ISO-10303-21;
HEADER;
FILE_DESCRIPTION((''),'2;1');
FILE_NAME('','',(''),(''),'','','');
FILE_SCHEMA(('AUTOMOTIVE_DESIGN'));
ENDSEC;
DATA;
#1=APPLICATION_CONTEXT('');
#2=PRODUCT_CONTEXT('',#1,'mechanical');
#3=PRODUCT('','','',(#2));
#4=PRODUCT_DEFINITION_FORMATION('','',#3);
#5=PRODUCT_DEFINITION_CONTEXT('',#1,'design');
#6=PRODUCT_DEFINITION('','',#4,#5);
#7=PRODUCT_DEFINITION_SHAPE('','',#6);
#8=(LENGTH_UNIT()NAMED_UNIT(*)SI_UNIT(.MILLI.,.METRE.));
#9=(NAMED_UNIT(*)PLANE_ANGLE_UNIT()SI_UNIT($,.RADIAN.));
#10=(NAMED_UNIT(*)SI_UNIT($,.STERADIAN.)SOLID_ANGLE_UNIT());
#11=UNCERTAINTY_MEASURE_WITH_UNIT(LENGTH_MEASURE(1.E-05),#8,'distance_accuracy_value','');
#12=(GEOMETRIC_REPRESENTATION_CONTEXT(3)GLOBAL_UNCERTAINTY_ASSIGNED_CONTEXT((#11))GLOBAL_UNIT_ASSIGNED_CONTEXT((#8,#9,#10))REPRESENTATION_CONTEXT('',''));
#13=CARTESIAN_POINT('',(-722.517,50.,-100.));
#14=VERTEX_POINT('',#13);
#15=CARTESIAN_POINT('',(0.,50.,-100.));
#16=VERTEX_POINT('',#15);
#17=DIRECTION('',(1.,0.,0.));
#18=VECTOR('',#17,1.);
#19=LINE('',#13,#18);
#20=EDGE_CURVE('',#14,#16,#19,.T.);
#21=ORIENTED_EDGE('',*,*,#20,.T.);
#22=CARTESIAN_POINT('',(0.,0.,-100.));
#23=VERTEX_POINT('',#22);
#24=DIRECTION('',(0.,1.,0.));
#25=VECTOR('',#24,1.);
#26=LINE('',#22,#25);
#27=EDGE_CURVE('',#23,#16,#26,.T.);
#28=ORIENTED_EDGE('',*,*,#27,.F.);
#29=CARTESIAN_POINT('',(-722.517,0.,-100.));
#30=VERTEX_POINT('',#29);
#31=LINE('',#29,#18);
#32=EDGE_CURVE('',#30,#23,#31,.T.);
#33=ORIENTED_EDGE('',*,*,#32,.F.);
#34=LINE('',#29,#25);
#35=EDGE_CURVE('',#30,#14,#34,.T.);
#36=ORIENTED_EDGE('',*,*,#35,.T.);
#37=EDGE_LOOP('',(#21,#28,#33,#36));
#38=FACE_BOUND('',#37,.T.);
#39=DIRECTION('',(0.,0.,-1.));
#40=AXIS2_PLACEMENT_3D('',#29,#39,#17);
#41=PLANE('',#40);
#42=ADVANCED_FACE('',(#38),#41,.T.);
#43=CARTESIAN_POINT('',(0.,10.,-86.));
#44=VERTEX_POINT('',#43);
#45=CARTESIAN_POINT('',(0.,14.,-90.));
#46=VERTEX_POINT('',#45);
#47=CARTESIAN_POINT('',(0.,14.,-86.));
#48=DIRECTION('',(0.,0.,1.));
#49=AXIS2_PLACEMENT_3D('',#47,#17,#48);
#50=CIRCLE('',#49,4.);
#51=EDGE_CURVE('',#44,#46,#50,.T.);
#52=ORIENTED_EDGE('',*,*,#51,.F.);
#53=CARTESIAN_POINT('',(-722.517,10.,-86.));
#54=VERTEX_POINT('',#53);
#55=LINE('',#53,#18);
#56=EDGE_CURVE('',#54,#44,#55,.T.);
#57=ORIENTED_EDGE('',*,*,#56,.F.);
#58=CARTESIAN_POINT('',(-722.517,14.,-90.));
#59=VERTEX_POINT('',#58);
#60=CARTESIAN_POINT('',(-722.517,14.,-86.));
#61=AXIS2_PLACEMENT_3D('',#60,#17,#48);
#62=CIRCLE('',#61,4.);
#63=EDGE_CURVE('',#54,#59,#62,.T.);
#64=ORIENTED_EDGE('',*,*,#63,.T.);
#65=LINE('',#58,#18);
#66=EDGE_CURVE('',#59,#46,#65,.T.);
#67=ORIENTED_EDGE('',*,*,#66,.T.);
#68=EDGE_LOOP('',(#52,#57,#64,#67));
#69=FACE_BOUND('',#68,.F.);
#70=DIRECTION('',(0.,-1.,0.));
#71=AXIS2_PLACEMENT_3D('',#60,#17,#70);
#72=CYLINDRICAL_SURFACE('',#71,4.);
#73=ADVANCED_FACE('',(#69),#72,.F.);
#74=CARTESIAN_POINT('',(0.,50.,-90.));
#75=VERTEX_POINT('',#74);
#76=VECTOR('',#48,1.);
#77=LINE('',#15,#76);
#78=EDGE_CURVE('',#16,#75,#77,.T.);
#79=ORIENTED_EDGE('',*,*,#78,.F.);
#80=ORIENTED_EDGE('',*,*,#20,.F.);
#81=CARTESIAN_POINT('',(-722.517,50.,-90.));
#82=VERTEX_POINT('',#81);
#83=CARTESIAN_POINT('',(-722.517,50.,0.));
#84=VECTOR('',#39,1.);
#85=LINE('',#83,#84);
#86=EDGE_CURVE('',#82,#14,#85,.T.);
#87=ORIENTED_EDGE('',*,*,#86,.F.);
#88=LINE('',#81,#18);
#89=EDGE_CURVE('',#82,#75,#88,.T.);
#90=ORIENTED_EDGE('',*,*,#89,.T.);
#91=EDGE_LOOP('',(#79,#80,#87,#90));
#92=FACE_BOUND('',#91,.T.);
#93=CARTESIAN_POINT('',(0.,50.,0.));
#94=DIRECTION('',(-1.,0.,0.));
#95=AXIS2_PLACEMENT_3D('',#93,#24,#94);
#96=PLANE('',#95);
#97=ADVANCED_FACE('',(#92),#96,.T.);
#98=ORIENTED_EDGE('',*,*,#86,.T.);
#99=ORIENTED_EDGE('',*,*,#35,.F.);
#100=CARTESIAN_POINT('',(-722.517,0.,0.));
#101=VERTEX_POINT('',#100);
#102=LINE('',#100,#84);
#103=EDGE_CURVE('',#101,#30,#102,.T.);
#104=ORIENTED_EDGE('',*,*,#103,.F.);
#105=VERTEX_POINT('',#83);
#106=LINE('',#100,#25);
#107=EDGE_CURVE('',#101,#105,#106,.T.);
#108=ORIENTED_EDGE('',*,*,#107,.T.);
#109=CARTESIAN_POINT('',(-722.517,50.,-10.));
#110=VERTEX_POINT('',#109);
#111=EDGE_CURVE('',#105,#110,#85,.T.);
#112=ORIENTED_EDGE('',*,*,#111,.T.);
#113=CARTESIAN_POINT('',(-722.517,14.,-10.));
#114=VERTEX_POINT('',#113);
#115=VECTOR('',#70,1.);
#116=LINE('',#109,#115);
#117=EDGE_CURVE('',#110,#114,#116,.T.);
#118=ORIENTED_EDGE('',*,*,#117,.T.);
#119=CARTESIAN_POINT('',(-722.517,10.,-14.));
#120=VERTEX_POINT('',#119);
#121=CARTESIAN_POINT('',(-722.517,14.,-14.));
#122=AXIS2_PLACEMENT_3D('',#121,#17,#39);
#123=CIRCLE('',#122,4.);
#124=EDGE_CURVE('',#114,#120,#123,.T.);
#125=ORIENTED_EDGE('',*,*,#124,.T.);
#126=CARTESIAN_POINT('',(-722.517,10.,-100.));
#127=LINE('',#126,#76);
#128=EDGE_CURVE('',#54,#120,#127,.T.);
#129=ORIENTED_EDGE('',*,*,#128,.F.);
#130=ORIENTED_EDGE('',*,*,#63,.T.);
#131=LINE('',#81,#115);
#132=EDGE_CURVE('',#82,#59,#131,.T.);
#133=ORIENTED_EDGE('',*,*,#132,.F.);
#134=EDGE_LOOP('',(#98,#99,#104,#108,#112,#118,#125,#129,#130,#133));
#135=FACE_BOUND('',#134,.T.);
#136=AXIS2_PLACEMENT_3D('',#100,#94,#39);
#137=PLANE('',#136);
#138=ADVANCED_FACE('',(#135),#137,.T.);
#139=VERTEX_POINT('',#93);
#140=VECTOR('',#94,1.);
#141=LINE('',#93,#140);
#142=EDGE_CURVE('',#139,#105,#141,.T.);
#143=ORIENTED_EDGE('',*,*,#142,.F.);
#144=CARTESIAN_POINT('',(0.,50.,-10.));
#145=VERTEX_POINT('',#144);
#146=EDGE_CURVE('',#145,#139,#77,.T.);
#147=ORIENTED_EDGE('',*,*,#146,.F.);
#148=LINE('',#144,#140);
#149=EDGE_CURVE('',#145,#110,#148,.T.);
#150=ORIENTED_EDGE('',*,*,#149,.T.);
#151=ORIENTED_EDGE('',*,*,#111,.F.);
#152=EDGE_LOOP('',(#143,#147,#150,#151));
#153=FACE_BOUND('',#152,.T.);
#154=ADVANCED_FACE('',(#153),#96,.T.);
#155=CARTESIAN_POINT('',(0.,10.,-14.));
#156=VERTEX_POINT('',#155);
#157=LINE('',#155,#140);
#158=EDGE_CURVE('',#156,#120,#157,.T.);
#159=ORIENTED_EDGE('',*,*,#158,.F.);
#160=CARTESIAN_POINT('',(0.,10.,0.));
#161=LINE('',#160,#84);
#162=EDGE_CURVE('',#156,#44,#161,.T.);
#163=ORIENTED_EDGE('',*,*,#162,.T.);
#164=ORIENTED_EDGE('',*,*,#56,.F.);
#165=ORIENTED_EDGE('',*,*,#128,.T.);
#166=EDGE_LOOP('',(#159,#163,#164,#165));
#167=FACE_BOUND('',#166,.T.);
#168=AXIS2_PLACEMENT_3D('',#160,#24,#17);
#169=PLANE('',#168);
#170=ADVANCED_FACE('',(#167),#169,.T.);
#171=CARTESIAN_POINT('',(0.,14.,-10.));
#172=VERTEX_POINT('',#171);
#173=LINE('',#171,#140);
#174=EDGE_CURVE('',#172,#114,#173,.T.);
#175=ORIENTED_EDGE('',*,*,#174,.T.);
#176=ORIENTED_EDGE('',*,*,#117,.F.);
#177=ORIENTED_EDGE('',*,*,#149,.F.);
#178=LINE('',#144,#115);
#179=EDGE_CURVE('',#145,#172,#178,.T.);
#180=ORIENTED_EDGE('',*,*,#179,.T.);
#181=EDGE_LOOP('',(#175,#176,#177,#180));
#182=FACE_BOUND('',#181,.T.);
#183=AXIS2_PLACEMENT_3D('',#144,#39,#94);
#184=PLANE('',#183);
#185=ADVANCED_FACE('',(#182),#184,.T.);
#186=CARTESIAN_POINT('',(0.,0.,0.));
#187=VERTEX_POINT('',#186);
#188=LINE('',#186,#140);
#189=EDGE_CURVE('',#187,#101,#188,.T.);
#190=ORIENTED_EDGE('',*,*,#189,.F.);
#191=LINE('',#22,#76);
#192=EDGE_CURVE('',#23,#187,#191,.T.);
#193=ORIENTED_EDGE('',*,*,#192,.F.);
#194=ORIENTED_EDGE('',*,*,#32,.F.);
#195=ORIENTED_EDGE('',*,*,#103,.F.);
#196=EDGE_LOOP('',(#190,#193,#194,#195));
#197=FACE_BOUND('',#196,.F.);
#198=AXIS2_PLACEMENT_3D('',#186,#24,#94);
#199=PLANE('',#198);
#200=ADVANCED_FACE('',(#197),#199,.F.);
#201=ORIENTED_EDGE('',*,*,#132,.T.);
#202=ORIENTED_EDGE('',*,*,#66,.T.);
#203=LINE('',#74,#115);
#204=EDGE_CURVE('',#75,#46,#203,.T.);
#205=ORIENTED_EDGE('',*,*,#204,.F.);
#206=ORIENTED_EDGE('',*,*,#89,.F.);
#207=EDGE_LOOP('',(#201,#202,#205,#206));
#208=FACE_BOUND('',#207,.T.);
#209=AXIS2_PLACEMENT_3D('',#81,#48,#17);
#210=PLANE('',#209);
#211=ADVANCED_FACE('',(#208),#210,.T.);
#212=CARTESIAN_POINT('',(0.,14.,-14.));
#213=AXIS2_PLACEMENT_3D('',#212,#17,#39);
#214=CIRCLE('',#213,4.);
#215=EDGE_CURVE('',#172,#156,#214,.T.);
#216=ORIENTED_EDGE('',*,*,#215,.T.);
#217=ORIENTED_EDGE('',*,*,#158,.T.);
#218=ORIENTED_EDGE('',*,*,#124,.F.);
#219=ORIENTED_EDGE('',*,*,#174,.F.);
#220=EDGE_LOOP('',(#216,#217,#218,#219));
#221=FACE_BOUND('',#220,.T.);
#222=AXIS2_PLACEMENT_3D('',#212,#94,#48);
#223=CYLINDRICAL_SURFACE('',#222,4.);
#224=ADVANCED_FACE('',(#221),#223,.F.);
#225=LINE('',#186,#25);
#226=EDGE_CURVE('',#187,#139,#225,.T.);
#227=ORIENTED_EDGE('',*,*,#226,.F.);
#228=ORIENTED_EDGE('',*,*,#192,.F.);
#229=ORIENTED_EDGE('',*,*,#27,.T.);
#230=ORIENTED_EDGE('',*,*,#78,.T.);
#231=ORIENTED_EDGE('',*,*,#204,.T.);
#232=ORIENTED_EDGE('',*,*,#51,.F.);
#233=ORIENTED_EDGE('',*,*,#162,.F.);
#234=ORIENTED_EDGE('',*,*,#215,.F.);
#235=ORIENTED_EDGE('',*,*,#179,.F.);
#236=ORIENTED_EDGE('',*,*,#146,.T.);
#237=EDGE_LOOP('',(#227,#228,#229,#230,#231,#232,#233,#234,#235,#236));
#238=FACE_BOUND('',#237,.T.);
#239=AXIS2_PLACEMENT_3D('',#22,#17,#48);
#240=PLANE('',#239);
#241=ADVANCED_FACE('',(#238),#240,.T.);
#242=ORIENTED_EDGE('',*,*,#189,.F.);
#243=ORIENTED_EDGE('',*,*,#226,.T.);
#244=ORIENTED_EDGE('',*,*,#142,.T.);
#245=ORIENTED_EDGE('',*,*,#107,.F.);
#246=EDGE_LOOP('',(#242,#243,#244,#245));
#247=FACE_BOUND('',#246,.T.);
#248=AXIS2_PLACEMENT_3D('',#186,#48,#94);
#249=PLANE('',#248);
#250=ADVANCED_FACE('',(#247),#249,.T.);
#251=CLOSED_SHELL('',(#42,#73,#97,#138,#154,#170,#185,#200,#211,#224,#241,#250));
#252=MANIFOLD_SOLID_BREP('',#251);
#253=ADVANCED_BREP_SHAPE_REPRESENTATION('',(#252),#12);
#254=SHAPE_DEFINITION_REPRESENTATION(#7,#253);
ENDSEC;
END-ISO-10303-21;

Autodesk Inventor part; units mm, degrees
ref_plane "YZ Plane" through (0, 0, 0) normal (1, 0, 0) x (0, 1, 0)
ref_plane "XZ Plane" through (0, 0, 0) normal (0, 1, 0) x (-1, 0, 0)
ref_plane "XY Plane" through (0, 0, 0) normal (0, 0, 1) x (1, 0, 0)
sketch "Sketch1" plane through (0, 0, 0) normal (0, 1, 0) x (-1, 0, 0)
  line L0 (0, 0) -> (722.517, 0)
  line L1 (722.517, 0) -> (722.517, -100)
  line L2 (722.517, -100) -> (0, -100)
  line L3 (0, -100) -> (0, 0)
  dimension "d0" = 722.517
  dimension "d1" = 100
extrude "Extrusion1" add sketch "Sketch1" along normal blind 50
sketch "Sketch2" plane through (0, 50, 0) normal (0, 1, 0) x (1, 0, 0)
  line L0 (0, 0) -> (0, 100) projected
  line L1 (-722.517, 100) -> (-722.517, 0) projected
  line L2 (0, 10) -> (-722.517, 10)
  line L3 (-722.517, 10) -> (-722.517, 90)
  line L4 (-722.517, 90) -> (0, 90)
  line L5 (0, 90) -> (0, 10)
  dimension "d4" = 80
extrude "Extrusion2" cut sketch "Sketch2" against normal blind 40
fillet "Fillet1" radius 4 2 edges at (-361.2585, 10, -90) (-361.2585, 10, -10)
equation "\"BendRadius\" = Thickness"
equation "\"BendReliefWidth\" = Thickness"
equation "\"BendReliefDepth\" = 0.5 * Thickness"
equation "\"CornerReliefSize\" = 4 * Thickness"
equation "\"MinimumRemnant\" = 2 * Thickness"
equation "\"TransitionRadius\" = BendRadius"
equation "\"JacobiRadiusSize\" = BendRadius"
equation "\"GapSize\" = Thickness"
equation "\"Thickness\" = 0.5"
properties part number "Base4"
